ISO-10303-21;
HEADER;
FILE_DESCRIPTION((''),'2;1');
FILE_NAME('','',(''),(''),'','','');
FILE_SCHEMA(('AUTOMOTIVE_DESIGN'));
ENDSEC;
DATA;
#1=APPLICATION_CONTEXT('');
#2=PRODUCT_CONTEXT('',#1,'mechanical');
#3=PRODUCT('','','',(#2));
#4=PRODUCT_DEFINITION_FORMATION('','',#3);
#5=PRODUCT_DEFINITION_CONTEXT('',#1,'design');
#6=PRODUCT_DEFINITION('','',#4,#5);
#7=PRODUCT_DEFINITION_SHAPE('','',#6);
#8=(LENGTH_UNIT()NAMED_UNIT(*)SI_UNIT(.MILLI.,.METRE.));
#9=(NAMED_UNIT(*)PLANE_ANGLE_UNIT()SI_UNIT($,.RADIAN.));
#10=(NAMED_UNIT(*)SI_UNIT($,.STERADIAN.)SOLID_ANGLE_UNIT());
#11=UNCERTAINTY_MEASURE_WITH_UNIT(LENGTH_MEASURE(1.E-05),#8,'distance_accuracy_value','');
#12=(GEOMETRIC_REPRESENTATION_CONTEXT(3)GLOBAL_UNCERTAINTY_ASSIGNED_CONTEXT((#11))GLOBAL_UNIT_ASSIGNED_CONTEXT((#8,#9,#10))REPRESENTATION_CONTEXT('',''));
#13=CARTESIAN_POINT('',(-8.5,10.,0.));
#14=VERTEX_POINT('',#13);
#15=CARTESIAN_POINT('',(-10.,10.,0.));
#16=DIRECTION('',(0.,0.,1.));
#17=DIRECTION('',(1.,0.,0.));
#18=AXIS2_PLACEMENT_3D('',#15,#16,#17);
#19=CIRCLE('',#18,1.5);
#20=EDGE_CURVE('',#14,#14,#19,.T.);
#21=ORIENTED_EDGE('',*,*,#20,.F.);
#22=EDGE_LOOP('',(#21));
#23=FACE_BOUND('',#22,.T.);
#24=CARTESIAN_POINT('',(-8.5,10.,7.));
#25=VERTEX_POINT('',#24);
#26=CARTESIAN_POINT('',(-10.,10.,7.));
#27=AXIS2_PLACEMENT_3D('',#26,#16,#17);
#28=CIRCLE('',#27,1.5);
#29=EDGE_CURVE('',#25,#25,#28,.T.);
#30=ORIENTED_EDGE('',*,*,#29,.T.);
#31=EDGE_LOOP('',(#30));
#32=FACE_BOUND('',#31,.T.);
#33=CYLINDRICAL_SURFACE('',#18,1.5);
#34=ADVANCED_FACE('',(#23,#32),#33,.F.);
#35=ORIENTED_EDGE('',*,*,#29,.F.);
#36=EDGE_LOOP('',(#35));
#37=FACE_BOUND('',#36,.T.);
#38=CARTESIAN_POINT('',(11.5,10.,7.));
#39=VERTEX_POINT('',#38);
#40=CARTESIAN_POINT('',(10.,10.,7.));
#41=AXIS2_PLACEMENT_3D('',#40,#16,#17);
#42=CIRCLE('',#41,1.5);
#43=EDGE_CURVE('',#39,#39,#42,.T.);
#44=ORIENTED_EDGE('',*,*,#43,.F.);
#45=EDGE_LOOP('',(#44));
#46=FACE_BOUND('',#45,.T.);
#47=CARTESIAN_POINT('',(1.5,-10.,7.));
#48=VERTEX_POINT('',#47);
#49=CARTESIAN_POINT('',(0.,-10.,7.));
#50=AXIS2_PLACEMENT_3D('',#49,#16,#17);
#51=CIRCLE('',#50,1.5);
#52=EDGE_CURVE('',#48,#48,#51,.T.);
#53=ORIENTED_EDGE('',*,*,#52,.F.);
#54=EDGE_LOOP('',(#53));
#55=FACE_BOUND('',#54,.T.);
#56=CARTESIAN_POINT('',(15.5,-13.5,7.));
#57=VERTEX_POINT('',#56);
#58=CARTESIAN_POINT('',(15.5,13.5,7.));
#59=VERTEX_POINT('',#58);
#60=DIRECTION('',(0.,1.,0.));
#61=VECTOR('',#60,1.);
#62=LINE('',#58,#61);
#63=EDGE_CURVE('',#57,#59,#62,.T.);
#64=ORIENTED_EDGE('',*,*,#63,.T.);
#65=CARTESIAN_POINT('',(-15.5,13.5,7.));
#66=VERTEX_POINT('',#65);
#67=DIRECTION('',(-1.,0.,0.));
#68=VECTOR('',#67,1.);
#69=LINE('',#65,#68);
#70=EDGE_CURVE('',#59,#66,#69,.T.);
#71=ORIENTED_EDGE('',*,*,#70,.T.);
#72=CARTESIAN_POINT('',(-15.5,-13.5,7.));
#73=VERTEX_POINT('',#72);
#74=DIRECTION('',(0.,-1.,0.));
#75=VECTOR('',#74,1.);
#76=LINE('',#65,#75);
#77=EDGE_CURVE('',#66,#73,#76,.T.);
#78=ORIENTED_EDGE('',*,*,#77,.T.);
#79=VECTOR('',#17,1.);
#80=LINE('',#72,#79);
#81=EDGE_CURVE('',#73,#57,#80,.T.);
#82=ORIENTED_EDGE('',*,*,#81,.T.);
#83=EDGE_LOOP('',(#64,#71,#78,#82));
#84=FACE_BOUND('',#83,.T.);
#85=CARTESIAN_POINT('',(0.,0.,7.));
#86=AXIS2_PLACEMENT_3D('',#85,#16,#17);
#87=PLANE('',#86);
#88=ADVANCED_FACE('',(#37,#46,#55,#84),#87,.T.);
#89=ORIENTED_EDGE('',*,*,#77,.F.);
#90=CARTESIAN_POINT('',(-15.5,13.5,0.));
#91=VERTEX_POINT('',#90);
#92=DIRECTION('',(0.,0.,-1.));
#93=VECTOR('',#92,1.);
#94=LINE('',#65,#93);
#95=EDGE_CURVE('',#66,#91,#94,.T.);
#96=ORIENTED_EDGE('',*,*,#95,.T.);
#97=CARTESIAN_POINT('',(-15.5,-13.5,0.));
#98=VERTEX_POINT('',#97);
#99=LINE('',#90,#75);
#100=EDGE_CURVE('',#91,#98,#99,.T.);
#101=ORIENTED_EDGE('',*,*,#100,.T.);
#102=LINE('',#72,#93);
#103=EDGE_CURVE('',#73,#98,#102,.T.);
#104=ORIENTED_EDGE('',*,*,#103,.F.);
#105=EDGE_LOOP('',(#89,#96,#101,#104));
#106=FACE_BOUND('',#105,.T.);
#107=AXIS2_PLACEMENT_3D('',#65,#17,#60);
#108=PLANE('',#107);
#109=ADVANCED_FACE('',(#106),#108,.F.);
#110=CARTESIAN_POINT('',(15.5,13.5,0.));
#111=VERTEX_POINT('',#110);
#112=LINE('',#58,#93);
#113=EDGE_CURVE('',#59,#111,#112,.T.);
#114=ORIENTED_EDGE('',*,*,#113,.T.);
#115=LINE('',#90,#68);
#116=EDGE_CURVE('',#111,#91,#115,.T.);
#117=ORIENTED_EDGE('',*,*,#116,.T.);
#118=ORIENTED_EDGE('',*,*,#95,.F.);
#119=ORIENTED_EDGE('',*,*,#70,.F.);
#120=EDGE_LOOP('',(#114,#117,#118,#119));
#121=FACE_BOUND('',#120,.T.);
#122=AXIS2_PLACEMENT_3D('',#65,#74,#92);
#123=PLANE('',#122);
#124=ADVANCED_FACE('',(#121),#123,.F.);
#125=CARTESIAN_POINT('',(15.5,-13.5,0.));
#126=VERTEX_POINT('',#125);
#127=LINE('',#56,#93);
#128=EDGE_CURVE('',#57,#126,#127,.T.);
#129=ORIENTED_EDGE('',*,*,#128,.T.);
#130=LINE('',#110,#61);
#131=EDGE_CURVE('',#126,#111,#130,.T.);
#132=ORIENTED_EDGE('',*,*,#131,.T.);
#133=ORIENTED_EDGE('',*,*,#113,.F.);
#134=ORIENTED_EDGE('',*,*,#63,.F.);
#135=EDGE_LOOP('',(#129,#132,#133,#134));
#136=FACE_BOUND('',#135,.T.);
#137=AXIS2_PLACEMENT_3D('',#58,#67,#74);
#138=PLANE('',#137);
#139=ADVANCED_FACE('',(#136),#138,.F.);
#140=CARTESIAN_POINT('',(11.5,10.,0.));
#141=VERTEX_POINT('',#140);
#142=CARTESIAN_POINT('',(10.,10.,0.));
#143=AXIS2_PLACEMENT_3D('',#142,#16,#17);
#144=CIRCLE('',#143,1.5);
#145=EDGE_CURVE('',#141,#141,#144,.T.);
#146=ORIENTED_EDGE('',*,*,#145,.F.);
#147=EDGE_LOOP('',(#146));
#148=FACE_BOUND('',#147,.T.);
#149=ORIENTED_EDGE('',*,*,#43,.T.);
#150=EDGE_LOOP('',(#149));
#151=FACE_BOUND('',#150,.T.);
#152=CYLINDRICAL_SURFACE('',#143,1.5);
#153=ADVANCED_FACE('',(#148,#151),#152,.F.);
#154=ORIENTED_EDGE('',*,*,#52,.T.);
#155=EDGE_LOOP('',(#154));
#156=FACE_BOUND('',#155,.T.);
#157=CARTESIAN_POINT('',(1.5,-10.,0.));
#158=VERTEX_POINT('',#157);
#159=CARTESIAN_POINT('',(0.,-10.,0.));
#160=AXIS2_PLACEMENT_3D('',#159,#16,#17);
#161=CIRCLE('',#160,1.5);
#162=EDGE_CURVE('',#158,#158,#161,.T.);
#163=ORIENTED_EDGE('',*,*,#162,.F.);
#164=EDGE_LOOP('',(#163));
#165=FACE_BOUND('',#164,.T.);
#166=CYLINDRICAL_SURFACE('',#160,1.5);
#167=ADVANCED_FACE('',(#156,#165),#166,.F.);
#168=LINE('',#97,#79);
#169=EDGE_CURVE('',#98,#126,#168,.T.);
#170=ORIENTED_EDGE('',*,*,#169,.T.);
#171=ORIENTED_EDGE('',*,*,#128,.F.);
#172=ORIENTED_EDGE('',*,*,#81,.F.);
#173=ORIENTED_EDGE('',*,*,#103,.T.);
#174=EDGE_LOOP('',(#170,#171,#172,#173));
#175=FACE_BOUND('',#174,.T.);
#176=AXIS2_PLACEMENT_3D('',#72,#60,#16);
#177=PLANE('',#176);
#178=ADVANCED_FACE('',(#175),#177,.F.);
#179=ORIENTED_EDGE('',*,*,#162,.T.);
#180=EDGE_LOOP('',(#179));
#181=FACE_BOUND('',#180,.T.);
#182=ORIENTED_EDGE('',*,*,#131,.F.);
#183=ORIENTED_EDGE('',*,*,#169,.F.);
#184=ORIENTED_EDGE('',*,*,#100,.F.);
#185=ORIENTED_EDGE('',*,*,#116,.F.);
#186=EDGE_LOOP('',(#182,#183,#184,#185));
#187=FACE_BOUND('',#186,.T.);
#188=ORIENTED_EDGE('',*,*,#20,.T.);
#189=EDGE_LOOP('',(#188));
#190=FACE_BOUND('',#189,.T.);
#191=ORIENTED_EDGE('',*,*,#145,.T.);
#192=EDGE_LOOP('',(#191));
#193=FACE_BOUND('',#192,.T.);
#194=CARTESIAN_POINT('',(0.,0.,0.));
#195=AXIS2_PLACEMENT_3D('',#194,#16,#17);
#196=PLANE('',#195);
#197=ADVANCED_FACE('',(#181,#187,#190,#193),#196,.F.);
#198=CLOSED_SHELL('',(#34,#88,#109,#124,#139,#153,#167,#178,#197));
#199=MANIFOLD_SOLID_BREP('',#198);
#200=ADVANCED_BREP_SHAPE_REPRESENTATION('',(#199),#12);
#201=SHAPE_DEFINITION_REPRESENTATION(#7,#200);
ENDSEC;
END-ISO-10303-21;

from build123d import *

# Parameters (mm, degrees)
SKETCH_1_W          = 31
SKETCH_1_H          = 27
EXTRUDE_1_DEPTH     = 7
SKETCH_2_R          = 1.5
CUT_EXTRUDE_1_DEPTH = 7


with BuildPart() as part:
    # 草图1 → 凸台-拉伸1 (new body)
    with BuildSketch(Plane.XY):
        Rectangle(SKETCH_1_W, SKETCH_1_H)
    extrude(amount=EXTRUDE_1_DEPTH)

    # 草图2 → 切除-拉伸1 (cut)
    with BuildSketch(Plane.XY.offset(7)):
        with Locations((-10, 10)):
            Circle(SKETCH_2_R)
        with Locations((10, 10)):
            Circle(SKETCH_2_R)
        with Locations((0, -10)):
            Circle(SKETCH_2_R)
    extrude(amount=-CUT_EXTRUDE_1_DEPTH, mode=Mode.SUBTRACT)


solid = part.part
